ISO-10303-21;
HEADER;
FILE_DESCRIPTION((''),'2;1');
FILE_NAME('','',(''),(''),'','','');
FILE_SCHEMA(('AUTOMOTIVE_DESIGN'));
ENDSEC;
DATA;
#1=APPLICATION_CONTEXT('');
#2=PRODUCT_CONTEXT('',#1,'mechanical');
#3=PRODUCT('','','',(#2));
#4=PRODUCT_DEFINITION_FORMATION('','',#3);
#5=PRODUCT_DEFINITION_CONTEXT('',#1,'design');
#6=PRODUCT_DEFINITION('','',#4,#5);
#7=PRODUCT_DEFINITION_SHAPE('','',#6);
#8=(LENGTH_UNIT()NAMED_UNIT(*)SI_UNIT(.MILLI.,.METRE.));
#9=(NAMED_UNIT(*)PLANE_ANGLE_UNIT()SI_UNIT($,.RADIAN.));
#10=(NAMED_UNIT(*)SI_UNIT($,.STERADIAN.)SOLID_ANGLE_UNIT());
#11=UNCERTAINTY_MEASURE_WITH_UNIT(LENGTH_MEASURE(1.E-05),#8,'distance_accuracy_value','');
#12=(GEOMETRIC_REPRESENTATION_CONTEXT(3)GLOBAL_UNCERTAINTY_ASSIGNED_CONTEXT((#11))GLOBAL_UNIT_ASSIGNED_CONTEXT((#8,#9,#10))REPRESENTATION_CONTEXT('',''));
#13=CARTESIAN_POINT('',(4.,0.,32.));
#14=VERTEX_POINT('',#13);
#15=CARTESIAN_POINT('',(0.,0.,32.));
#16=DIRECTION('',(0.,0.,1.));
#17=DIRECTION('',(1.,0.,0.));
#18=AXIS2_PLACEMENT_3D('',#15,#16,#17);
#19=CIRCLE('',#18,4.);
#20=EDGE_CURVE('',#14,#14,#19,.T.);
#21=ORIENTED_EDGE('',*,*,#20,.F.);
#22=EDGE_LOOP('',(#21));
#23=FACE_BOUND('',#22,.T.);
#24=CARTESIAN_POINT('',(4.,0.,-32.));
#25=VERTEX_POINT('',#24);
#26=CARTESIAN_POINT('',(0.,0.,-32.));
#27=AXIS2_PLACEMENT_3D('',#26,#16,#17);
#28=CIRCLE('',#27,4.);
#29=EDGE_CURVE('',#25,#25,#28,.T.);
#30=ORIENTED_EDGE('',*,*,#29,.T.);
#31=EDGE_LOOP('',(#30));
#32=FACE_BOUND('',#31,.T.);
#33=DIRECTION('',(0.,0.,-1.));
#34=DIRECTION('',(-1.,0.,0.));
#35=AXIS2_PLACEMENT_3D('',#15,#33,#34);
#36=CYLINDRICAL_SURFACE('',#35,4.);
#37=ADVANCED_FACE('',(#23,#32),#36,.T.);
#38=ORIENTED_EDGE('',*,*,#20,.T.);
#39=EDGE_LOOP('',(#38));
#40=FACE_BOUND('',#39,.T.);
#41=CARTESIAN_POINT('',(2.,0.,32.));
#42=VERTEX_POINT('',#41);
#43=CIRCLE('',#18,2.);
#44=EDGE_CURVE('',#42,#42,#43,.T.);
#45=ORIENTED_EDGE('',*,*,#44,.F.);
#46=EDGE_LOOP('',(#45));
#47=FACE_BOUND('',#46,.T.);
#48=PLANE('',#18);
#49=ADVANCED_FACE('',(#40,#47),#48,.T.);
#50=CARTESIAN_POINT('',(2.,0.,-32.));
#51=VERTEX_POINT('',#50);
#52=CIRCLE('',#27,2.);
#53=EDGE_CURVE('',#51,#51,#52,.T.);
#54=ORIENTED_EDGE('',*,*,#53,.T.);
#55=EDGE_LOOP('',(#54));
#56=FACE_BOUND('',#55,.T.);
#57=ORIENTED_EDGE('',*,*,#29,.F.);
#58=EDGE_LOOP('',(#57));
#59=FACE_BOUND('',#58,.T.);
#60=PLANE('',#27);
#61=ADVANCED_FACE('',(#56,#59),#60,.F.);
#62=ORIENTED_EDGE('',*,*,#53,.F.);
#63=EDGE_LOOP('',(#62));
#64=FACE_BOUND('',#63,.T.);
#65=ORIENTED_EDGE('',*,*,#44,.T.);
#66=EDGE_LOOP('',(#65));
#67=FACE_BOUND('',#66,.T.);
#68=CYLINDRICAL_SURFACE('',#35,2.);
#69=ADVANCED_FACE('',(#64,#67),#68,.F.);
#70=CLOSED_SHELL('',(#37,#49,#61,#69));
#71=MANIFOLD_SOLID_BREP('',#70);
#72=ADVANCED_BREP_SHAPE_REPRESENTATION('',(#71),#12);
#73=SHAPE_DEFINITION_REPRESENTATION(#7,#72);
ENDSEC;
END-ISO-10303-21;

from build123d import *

# Parameters (mm, degrees)
SKETCH_1_R      = 4
SKETCH_1_R_2    = 2
EXTRUDE_1_DEPTH = 32


with BuildPart() as part:
    # 草图1 → 凸台-拉伸1 (new, symmetric)
    with BuildSketch(Plane.XY):
        Circle(SKETCH_1_R)
        Circle(SKETCH_1_R_2, mode=Mode.SUBTRACT)
    extrude(amount=EXTRUDE_1_DEPTH, both=True)


solid = part.part
